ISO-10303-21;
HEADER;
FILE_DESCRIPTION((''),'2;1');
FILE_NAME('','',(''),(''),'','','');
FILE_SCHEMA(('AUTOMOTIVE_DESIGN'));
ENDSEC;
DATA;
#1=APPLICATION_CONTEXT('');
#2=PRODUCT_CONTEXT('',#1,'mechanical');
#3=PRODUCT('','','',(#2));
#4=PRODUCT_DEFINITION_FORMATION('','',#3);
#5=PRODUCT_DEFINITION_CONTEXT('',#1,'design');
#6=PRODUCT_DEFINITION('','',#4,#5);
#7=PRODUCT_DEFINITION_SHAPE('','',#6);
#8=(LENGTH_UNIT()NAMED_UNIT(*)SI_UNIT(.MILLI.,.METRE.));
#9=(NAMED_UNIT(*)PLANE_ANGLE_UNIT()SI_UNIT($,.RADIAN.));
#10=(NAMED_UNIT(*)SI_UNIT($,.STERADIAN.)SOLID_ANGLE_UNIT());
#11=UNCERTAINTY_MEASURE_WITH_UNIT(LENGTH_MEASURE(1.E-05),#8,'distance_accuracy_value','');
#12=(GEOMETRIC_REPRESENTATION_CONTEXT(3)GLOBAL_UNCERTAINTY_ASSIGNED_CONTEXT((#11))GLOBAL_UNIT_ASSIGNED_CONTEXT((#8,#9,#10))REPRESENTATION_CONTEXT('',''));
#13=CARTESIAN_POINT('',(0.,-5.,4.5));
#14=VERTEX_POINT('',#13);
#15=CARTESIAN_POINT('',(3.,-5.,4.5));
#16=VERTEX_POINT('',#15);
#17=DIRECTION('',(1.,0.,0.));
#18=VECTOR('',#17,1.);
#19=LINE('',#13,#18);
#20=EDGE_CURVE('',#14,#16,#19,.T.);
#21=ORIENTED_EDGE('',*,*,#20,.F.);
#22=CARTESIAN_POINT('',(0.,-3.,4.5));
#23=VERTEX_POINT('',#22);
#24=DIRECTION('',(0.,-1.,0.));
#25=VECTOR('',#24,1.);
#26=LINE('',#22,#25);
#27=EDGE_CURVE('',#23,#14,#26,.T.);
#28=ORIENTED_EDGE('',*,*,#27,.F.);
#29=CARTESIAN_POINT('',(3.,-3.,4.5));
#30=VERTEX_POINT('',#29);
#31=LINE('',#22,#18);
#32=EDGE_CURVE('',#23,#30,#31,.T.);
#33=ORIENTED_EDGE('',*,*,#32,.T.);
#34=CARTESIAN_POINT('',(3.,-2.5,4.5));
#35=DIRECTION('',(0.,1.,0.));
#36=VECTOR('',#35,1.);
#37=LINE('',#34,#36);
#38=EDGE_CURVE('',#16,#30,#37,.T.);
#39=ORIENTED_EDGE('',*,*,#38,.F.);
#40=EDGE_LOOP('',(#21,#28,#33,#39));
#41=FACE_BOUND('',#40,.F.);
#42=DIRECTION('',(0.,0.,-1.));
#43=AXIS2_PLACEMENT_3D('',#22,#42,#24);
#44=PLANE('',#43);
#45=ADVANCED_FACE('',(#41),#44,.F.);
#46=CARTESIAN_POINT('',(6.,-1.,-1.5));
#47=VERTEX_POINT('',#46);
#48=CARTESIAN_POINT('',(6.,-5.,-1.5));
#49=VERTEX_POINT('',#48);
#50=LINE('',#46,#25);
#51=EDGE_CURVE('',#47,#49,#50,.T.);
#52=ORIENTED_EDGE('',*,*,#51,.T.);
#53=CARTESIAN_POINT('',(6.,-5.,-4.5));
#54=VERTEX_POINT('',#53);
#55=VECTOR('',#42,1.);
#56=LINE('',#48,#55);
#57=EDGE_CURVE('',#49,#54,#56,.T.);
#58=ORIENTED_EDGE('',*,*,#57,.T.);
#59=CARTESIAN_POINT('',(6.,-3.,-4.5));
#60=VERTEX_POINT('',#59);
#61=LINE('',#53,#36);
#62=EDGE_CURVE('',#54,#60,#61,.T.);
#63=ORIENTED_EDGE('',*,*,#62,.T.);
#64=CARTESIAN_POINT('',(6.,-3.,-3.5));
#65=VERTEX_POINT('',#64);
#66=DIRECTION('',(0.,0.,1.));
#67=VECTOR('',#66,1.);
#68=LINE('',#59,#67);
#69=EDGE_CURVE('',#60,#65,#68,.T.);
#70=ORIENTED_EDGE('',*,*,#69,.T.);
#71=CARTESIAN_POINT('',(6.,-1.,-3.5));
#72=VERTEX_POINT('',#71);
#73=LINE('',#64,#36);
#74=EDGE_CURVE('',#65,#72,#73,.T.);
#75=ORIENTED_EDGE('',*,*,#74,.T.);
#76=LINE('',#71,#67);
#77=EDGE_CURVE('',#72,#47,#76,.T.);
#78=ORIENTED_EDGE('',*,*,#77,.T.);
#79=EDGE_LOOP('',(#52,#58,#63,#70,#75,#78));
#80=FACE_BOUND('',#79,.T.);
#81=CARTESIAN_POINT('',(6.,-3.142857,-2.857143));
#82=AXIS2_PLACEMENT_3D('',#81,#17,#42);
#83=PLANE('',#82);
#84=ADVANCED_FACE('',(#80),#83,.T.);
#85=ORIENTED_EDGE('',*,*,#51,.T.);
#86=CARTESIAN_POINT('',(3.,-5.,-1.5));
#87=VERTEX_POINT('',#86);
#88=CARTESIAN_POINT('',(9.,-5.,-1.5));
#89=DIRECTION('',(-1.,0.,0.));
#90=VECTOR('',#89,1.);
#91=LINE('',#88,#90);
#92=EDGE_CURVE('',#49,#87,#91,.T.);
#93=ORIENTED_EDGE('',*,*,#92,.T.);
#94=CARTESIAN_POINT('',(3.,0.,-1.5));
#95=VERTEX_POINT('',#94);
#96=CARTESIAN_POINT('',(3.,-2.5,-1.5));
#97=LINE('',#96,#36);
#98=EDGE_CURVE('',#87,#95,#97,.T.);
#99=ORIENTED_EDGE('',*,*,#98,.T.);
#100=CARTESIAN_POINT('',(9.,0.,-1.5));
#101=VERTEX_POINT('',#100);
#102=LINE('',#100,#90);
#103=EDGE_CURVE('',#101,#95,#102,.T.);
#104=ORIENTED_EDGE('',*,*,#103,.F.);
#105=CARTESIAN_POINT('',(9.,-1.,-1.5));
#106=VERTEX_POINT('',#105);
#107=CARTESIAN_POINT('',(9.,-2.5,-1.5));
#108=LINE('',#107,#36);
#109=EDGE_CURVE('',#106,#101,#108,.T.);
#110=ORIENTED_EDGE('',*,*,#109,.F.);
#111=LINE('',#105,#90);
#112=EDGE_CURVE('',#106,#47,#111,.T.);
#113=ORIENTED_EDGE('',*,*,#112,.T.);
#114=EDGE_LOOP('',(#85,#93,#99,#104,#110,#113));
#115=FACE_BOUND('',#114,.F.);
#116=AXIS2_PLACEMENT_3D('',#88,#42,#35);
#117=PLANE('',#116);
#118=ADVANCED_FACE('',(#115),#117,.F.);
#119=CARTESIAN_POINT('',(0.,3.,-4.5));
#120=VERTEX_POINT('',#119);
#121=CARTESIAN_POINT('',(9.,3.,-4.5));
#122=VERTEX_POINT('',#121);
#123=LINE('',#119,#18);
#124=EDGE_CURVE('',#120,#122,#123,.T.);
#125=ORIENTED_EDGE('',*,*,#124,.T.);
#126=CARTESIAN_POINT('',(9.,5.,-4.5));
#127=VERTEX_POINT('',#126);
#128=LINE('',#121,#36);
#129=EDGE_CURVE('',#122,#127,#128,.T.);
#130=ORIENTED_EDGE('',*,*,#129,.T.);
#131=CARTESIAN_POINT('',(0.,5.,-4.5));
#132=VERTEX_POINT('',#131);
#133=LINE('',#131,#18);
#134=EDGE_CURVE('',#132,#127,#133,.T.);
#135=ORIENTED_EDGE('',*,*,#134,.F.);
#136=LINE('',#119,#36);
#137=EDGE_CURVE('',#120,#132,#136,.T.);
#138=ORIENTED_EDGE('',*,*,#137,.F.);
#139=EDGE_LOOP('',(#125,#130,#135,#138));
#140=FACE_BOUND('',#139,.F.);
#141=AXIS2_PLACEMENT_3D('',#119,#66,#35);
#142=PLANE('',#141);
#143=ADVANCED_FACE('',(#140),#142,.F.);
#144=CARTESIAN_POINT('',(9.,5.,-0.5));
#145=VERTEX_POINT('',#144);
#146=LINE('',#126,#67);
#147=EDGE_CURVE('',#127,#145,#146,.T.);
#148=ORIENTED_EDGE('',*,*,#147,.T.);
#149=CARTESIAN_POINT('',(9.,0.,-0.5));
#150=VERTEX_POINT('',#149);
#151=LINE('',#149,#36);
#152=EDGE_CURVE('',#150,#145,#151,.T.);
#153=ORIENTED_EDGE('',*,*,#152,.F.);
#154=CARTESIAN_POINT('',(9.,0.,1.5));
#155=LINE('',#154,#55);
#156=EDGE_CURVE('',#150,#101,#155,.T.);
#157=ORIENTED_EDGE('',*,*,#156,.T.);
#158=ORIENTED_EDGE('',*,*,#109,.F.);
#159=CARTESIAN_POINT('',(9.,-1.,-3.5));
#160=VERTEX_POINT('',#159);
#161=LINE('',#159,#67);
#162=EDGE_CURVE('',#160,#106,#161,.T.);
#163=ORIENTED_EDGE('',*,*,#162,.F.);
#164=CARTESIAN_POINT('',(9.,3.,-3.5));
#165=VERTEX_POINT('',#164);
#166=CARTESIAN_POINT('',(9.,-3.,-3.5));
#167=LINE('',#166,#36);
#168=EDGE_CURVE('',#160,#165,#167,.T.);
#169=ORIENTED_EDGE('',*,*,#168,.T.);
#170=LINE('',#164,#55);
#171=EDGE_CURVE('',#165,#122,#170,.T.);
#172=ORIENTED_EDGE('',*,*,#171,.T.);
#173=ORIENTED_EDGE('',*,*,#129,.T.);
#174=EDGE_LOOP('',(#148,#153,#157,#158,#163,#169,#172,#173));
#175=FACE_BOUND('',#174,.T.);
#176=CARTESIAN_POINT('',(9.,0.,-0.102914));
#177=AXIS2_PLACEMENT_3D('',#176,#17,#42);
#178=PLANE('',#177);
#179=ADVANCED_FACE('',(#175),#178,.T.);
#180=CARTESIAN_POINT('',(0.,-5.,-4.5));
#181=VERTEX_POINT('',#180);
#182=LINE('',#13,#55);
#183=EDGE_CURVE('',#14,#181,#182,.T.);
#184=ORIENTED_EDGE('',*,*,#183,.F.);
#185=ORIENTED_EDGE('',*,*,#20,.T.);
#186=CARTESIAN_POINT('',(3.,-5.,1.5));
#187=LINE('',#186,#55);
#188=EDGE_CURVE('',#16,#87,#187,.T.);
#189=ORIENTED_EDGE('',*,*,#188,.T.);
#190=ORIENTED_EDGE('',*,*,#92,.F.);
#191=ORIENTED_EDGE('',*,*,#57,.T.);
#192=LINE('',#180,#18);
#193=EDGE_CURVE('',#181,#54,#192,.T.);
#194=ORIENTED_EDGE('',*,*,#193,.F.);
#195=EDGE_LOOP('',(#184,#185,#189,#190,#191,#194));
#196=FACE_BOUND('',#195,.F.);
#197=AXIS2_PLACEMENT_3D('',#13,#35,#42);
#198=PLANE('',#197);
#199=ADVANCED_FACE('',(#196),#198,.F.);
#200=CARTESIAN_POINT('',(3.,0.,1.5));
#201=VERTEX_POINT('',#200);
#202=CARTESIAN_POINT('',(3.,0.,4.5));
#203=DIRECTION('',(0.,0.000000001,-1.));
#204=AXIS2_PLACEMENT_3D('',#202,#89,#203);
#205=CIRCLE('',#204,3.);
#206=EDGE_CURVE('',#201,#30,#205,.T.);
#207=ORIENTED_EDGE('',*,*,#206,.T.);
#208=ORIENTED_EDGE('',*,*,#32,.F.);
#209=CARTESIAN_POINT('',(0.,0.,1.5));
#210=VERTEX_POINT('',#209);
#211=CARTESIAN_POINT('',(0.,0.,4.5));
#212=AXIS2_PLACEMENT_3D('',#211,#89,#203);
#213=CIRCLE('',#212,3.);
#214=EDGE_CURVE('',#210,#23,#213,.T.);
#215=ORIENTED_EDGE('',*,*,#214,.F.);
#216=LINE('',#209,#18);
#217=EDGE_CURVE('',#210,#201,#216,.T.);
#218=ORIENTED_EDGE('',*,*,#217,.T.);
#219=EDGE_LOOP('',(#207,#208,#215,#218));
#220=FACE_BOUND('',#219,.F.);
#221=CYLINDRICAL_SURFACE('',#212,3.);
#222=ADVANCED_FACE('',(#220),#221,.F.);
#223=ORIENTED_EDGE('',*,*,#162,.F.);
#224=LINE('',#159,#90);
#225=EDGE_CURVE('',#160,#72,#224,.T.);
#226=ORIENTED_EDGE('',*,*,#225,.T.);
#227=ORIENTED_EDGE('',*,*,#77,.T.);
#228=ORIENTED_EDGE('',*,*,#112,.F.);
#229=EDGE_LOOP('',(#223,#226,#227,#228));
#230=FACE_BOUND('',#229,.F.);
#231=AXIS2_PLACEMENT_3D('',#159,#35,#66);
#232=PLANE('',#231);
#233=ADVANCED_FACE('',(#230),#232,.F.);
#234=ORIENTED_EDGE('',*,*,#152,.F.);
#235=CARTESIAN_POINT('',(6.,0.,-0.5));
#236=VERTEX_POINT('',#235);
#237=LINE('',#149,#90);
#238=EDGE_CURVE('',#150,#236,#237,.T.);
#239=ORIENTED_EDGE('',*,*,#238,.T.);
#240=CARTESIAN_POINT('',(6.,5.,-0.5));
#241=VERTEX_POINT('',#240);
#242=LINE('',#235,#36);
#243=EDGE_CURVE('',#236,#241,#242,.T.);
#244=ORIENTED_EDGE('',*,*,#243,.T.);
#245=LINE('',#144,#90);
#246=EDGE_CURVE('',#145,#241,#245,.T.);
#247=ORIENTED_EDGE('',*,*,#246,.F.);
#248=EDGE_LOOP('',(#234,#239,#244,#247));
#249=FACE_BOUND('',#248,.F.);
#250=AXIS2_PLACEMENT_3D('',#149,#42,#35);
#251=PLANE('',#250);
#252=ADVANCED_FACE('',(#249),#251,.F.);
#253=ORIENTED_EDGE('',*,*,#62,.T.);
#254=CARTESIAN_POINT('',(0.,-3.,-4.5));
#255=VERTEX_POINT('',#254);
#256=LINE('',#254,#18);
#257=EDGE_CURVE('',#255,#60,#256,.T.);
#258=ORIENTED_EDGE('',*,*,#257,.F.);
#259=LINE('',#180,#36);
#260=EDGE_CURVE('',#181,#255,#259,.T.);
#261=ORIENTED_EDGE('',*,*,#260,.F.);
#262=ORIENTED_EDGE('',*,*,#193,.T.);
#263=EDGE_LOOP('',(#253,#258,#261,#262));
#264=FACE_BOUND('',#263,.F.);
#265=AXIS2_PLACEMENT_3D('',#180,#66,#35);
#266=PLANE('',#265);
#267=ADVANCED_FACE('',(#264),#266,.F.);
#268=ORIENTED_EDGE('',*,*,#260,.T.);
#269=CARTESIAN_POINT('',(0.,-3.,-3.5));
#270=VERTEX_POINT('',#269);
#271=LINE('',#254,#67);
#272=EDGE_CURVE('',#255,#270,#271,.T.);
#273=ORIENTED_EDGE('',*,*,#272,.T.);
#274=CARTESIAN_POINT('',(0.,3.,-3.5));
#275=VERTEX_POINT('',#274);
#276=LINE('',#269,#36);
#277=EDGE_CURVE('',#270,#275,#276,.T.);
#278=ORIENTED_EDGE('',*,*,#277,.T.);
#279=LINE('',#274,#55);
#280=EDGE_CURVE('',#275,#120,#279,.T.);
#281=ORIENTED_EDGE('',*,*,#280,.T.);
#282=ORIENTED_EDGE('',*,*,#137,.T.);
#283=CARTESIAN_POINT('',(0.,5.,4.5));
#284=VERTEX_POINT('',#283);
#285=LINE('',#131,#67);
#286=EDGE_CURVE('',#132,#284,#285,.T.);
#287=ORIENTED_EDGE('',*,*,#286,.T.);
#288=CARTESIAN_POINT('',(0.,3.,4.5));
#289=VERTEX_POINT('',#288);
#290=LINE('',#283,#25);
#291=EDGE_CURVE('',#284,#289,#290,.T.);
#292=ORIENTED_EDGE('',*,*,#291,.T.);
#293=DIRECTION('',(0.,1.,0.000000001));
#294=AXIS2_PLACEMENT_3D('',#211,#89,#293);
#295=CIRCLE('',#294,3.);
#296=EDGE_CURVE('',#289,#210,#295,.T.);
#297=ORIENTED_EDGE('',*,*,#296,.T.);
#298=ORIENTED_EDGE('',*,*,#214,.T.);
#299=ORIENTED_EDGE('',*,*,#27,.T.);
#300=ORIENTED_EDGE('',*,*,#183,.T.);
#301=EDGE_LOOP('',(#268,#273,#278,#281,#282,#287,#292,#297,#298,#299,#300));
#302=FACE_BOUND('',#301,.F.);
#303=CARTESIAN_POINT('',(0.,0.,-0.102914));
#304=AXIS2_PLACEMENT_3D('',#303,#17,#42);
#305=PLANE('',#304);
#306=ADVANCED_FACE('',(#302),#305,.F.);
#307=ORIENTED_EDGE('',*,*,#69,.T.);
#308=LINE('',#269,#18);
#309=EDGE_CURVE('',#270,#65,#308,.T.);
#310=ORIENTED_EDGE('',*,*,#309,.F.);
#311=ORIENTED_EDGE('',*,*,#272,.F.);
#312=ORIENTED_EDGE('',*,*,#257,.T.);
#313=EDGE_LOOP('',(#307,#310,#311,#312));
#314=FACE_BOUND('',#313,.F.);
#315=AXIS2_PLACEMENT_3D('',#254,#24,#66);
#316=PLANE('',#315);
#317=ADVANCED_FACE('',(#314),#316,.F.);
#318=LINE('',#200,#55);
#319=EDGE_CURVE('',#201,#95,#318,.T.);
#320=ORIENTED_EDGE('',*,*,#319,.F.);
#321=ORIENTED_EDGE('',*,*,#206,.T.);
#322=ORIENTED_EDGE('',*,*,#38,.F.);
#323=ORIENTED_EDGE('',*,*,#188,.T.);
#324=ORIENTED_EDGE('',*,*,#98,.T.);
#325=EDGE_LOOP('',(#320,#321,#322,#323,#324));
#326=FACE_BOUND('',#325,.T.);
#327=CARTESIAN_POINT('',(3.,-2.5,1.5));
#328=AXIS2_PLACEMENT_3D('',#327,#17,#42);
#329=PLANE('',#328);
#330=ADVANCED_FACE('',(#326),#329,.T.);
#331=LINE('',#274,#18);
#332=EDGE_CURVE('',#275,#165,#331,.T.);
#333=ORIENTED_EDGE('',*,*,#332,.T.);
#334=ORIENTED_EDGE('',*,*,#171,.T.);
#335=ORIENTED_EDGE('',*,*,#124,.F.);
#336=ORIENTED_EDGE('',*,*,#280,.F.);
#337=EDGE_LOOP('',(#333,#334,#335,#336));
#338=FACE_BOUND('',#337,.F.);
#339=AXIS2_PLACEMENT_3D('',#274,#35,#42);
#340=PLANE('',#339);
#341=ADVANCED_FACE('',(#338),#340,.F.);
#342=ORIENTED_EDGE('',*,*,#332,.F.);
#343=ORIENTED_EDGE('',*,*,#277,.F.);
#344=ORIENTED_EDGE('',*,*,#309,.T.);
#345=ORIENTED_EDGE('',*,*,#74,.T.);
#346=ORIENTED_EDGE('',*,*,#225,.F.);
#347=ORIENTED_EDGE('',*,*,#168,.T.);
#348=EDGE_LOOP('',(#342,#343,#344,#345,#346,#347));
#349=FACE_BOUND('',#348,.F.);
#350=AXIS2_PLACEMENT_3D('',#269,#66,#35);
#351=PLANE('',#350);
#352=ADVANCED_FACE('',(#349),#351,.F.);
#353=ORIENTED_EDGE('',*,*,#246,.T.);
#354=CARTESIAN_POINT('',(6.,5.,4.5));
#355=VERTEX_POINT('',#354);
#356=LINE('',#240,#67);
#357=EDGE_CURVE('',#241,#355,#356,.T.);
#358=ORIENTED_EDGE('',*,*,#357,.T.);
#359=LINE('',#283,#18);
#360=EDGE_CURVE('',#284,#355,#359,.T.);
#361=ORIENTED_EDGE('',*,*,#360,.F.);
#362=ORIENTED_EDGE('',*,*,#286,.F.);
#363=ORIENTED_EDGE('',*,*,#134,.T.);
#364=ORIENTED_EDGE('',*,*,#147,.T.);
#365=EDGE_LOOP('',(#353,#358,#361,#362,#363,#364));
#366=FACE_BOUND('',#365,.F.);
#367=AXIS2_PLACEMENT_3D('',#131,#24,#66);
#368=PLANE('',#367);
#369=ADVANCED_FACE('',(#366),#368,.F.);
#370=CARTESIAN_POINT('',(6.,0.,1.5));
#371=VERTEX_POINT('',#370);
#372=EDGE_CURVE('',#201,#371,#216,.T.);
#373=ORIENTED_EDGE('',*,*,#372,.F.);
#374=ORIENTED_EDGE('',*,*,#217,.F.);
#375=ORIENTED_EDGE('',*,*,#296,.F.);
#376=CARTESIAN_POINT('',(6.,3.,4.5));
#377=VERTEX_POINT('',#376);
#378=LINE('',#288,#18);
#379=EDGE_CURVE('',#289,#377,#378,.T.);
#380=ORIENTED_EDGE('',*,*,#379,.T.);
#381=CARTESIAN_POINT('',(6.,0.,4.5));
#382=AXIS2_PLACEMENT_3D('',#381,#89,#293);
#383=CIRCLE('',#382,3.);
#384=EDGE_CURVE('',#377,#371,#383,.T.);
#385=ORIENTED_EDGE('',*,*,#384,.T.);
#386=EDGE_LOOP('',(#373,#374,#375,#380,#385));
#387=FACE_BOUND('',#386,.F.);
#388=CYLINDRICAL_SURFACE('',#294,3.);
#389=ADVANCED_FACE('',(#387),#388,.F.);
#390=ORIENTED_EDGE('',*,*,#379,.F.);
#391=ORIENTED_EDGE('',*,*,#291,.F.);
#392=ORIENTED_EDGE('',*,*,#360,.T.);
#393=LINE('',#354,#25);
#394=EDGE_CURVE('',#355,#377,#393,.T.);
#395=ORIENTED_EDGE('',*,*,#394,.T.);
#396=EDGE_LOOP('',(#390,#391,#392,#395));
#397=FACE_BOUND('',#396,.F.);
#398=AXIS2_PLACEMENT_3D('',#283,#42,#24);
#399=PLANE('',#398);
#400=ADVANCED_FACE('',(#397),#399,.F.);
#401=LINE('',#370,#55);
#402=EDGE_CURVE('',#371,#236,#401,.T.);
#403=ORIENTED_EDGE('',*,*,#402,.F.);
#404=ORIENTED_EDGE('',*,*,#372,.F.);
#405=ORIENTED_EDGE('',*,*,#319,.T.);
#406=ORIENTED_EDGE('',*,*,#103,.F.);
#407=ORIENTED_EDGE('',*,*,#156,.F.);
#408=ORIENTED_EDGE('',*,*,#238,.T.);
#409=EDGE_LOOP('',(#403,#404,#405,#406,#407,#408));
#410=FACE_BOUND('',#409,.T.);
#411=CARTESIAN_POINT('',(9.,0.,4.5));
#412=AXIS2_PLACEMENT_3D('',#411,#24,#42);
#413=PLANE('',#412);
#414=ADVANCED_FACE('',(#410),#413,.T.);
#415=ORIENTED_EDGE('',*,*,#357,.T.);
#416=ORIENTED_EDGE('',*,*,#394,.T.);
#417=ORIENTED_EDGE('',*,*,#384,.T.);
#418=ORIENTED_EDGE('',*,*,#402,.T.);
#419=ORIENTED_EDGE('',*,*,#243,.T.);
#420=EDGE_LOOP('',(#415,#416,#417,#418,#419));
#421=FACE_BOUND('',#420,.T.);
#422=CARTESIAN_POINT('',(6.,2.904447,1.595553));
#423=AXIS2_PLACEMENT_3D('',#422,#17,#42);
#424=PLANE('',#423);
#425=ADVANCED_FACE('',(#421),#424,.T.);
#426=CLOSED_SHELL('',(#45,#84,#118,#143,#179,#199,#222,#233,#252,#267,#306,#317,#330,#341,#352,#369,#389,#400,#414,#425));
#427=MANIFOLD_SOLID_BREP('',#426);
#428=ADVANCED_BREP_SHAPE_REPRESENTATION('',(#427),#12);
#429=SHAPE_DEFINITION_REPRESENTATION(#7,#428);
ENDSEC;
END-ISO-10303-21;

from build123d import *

# Parameters (mm, degrees)
BOSS_EXTRUDE1_DEPTH = 9
CUT_EXTRUDE1_DEPTH  = 3
SKETCH5_W           = 6
SKETCH5_H           = 5
CUT_EXTRUDE2_DEPTH  = 6


with BuildPart() as part:
    # Sketch1 → Boss-Extrude1 (new body)
    with BuildSketch(Plane(origin=(0, 0, 0), x_dir=(0, 0, -1), z_dir=(1, 0, 0))):
        with BuildLine():
            Line((-4.5, -5), (4.5, -5))
            Line((4.5, -5), (4.5, -3))
            Line((4.5, -3), (3.5, -3))
            Line((3.5, -3), (3.5, 3))
            Line((3.5, 3), (4.5, 3))
            Line((4.5, 3), (4.5, 5))
            Line((4.5, 5), (-4.5, 5))
            Line((-4.5, 5), (-4.5, 3))
            ThreePointArc((-4.5, 3), (-2.378679656, 2.121320344), (-1.5, 0))
            ThreePointArc((-1.5, 0), (-2.378679656, -2.121320344), (-4.5, -3))
            Line((-4.5, -3), (-4.5, -5))
        make_face()
    extrude(amount=BOSS_EXTRUDE1_DEPTH)

    # Sketch3 → Cut-Extrude1 (cut)
    with BuildSketch(Plane(origin=(9, 0, 0), x_dir=(0, 0, -1), z_dir=(1, 0, 0))):
        with BuildLine():
            ThreePointArc((-4.5, 3), (-2.378679656, 2.121320344), (-1.5, 0))
            Line((-1.5, 0), (0.5, 0))
            Line((0.5, 0), (0.5, 5))
            Line((0.5, 5), (-4.5, 5))
            Line((-4.5, 5), (-4.5, 3))
        make_face()
        Polygon((1.5, -1), (1.5, -5), (4.5, -5), (4.5, -3), (3.5, -3), (3.5, -1), align=None)
    extrude(amount=-CUT_EXTRUDE1_DEPTH, mode=Mode.SUBTRACT)

    # Sketch5 → Cut-Extrude2 (cut)
    with BuildSketch(Plane(origin=(9, 0, 0), x_dir=(0, 0, -1), z_dir=(1, 0, 0))):
        with Locations((-1.5, -2.5)):
            Rectangle(SKETCH5_W, SKETCH5_H)
    extrude(amount=-CUT_EXTRUDE2_DEPTH, mode=Mode.SUBTRACT)


solid = part.part
